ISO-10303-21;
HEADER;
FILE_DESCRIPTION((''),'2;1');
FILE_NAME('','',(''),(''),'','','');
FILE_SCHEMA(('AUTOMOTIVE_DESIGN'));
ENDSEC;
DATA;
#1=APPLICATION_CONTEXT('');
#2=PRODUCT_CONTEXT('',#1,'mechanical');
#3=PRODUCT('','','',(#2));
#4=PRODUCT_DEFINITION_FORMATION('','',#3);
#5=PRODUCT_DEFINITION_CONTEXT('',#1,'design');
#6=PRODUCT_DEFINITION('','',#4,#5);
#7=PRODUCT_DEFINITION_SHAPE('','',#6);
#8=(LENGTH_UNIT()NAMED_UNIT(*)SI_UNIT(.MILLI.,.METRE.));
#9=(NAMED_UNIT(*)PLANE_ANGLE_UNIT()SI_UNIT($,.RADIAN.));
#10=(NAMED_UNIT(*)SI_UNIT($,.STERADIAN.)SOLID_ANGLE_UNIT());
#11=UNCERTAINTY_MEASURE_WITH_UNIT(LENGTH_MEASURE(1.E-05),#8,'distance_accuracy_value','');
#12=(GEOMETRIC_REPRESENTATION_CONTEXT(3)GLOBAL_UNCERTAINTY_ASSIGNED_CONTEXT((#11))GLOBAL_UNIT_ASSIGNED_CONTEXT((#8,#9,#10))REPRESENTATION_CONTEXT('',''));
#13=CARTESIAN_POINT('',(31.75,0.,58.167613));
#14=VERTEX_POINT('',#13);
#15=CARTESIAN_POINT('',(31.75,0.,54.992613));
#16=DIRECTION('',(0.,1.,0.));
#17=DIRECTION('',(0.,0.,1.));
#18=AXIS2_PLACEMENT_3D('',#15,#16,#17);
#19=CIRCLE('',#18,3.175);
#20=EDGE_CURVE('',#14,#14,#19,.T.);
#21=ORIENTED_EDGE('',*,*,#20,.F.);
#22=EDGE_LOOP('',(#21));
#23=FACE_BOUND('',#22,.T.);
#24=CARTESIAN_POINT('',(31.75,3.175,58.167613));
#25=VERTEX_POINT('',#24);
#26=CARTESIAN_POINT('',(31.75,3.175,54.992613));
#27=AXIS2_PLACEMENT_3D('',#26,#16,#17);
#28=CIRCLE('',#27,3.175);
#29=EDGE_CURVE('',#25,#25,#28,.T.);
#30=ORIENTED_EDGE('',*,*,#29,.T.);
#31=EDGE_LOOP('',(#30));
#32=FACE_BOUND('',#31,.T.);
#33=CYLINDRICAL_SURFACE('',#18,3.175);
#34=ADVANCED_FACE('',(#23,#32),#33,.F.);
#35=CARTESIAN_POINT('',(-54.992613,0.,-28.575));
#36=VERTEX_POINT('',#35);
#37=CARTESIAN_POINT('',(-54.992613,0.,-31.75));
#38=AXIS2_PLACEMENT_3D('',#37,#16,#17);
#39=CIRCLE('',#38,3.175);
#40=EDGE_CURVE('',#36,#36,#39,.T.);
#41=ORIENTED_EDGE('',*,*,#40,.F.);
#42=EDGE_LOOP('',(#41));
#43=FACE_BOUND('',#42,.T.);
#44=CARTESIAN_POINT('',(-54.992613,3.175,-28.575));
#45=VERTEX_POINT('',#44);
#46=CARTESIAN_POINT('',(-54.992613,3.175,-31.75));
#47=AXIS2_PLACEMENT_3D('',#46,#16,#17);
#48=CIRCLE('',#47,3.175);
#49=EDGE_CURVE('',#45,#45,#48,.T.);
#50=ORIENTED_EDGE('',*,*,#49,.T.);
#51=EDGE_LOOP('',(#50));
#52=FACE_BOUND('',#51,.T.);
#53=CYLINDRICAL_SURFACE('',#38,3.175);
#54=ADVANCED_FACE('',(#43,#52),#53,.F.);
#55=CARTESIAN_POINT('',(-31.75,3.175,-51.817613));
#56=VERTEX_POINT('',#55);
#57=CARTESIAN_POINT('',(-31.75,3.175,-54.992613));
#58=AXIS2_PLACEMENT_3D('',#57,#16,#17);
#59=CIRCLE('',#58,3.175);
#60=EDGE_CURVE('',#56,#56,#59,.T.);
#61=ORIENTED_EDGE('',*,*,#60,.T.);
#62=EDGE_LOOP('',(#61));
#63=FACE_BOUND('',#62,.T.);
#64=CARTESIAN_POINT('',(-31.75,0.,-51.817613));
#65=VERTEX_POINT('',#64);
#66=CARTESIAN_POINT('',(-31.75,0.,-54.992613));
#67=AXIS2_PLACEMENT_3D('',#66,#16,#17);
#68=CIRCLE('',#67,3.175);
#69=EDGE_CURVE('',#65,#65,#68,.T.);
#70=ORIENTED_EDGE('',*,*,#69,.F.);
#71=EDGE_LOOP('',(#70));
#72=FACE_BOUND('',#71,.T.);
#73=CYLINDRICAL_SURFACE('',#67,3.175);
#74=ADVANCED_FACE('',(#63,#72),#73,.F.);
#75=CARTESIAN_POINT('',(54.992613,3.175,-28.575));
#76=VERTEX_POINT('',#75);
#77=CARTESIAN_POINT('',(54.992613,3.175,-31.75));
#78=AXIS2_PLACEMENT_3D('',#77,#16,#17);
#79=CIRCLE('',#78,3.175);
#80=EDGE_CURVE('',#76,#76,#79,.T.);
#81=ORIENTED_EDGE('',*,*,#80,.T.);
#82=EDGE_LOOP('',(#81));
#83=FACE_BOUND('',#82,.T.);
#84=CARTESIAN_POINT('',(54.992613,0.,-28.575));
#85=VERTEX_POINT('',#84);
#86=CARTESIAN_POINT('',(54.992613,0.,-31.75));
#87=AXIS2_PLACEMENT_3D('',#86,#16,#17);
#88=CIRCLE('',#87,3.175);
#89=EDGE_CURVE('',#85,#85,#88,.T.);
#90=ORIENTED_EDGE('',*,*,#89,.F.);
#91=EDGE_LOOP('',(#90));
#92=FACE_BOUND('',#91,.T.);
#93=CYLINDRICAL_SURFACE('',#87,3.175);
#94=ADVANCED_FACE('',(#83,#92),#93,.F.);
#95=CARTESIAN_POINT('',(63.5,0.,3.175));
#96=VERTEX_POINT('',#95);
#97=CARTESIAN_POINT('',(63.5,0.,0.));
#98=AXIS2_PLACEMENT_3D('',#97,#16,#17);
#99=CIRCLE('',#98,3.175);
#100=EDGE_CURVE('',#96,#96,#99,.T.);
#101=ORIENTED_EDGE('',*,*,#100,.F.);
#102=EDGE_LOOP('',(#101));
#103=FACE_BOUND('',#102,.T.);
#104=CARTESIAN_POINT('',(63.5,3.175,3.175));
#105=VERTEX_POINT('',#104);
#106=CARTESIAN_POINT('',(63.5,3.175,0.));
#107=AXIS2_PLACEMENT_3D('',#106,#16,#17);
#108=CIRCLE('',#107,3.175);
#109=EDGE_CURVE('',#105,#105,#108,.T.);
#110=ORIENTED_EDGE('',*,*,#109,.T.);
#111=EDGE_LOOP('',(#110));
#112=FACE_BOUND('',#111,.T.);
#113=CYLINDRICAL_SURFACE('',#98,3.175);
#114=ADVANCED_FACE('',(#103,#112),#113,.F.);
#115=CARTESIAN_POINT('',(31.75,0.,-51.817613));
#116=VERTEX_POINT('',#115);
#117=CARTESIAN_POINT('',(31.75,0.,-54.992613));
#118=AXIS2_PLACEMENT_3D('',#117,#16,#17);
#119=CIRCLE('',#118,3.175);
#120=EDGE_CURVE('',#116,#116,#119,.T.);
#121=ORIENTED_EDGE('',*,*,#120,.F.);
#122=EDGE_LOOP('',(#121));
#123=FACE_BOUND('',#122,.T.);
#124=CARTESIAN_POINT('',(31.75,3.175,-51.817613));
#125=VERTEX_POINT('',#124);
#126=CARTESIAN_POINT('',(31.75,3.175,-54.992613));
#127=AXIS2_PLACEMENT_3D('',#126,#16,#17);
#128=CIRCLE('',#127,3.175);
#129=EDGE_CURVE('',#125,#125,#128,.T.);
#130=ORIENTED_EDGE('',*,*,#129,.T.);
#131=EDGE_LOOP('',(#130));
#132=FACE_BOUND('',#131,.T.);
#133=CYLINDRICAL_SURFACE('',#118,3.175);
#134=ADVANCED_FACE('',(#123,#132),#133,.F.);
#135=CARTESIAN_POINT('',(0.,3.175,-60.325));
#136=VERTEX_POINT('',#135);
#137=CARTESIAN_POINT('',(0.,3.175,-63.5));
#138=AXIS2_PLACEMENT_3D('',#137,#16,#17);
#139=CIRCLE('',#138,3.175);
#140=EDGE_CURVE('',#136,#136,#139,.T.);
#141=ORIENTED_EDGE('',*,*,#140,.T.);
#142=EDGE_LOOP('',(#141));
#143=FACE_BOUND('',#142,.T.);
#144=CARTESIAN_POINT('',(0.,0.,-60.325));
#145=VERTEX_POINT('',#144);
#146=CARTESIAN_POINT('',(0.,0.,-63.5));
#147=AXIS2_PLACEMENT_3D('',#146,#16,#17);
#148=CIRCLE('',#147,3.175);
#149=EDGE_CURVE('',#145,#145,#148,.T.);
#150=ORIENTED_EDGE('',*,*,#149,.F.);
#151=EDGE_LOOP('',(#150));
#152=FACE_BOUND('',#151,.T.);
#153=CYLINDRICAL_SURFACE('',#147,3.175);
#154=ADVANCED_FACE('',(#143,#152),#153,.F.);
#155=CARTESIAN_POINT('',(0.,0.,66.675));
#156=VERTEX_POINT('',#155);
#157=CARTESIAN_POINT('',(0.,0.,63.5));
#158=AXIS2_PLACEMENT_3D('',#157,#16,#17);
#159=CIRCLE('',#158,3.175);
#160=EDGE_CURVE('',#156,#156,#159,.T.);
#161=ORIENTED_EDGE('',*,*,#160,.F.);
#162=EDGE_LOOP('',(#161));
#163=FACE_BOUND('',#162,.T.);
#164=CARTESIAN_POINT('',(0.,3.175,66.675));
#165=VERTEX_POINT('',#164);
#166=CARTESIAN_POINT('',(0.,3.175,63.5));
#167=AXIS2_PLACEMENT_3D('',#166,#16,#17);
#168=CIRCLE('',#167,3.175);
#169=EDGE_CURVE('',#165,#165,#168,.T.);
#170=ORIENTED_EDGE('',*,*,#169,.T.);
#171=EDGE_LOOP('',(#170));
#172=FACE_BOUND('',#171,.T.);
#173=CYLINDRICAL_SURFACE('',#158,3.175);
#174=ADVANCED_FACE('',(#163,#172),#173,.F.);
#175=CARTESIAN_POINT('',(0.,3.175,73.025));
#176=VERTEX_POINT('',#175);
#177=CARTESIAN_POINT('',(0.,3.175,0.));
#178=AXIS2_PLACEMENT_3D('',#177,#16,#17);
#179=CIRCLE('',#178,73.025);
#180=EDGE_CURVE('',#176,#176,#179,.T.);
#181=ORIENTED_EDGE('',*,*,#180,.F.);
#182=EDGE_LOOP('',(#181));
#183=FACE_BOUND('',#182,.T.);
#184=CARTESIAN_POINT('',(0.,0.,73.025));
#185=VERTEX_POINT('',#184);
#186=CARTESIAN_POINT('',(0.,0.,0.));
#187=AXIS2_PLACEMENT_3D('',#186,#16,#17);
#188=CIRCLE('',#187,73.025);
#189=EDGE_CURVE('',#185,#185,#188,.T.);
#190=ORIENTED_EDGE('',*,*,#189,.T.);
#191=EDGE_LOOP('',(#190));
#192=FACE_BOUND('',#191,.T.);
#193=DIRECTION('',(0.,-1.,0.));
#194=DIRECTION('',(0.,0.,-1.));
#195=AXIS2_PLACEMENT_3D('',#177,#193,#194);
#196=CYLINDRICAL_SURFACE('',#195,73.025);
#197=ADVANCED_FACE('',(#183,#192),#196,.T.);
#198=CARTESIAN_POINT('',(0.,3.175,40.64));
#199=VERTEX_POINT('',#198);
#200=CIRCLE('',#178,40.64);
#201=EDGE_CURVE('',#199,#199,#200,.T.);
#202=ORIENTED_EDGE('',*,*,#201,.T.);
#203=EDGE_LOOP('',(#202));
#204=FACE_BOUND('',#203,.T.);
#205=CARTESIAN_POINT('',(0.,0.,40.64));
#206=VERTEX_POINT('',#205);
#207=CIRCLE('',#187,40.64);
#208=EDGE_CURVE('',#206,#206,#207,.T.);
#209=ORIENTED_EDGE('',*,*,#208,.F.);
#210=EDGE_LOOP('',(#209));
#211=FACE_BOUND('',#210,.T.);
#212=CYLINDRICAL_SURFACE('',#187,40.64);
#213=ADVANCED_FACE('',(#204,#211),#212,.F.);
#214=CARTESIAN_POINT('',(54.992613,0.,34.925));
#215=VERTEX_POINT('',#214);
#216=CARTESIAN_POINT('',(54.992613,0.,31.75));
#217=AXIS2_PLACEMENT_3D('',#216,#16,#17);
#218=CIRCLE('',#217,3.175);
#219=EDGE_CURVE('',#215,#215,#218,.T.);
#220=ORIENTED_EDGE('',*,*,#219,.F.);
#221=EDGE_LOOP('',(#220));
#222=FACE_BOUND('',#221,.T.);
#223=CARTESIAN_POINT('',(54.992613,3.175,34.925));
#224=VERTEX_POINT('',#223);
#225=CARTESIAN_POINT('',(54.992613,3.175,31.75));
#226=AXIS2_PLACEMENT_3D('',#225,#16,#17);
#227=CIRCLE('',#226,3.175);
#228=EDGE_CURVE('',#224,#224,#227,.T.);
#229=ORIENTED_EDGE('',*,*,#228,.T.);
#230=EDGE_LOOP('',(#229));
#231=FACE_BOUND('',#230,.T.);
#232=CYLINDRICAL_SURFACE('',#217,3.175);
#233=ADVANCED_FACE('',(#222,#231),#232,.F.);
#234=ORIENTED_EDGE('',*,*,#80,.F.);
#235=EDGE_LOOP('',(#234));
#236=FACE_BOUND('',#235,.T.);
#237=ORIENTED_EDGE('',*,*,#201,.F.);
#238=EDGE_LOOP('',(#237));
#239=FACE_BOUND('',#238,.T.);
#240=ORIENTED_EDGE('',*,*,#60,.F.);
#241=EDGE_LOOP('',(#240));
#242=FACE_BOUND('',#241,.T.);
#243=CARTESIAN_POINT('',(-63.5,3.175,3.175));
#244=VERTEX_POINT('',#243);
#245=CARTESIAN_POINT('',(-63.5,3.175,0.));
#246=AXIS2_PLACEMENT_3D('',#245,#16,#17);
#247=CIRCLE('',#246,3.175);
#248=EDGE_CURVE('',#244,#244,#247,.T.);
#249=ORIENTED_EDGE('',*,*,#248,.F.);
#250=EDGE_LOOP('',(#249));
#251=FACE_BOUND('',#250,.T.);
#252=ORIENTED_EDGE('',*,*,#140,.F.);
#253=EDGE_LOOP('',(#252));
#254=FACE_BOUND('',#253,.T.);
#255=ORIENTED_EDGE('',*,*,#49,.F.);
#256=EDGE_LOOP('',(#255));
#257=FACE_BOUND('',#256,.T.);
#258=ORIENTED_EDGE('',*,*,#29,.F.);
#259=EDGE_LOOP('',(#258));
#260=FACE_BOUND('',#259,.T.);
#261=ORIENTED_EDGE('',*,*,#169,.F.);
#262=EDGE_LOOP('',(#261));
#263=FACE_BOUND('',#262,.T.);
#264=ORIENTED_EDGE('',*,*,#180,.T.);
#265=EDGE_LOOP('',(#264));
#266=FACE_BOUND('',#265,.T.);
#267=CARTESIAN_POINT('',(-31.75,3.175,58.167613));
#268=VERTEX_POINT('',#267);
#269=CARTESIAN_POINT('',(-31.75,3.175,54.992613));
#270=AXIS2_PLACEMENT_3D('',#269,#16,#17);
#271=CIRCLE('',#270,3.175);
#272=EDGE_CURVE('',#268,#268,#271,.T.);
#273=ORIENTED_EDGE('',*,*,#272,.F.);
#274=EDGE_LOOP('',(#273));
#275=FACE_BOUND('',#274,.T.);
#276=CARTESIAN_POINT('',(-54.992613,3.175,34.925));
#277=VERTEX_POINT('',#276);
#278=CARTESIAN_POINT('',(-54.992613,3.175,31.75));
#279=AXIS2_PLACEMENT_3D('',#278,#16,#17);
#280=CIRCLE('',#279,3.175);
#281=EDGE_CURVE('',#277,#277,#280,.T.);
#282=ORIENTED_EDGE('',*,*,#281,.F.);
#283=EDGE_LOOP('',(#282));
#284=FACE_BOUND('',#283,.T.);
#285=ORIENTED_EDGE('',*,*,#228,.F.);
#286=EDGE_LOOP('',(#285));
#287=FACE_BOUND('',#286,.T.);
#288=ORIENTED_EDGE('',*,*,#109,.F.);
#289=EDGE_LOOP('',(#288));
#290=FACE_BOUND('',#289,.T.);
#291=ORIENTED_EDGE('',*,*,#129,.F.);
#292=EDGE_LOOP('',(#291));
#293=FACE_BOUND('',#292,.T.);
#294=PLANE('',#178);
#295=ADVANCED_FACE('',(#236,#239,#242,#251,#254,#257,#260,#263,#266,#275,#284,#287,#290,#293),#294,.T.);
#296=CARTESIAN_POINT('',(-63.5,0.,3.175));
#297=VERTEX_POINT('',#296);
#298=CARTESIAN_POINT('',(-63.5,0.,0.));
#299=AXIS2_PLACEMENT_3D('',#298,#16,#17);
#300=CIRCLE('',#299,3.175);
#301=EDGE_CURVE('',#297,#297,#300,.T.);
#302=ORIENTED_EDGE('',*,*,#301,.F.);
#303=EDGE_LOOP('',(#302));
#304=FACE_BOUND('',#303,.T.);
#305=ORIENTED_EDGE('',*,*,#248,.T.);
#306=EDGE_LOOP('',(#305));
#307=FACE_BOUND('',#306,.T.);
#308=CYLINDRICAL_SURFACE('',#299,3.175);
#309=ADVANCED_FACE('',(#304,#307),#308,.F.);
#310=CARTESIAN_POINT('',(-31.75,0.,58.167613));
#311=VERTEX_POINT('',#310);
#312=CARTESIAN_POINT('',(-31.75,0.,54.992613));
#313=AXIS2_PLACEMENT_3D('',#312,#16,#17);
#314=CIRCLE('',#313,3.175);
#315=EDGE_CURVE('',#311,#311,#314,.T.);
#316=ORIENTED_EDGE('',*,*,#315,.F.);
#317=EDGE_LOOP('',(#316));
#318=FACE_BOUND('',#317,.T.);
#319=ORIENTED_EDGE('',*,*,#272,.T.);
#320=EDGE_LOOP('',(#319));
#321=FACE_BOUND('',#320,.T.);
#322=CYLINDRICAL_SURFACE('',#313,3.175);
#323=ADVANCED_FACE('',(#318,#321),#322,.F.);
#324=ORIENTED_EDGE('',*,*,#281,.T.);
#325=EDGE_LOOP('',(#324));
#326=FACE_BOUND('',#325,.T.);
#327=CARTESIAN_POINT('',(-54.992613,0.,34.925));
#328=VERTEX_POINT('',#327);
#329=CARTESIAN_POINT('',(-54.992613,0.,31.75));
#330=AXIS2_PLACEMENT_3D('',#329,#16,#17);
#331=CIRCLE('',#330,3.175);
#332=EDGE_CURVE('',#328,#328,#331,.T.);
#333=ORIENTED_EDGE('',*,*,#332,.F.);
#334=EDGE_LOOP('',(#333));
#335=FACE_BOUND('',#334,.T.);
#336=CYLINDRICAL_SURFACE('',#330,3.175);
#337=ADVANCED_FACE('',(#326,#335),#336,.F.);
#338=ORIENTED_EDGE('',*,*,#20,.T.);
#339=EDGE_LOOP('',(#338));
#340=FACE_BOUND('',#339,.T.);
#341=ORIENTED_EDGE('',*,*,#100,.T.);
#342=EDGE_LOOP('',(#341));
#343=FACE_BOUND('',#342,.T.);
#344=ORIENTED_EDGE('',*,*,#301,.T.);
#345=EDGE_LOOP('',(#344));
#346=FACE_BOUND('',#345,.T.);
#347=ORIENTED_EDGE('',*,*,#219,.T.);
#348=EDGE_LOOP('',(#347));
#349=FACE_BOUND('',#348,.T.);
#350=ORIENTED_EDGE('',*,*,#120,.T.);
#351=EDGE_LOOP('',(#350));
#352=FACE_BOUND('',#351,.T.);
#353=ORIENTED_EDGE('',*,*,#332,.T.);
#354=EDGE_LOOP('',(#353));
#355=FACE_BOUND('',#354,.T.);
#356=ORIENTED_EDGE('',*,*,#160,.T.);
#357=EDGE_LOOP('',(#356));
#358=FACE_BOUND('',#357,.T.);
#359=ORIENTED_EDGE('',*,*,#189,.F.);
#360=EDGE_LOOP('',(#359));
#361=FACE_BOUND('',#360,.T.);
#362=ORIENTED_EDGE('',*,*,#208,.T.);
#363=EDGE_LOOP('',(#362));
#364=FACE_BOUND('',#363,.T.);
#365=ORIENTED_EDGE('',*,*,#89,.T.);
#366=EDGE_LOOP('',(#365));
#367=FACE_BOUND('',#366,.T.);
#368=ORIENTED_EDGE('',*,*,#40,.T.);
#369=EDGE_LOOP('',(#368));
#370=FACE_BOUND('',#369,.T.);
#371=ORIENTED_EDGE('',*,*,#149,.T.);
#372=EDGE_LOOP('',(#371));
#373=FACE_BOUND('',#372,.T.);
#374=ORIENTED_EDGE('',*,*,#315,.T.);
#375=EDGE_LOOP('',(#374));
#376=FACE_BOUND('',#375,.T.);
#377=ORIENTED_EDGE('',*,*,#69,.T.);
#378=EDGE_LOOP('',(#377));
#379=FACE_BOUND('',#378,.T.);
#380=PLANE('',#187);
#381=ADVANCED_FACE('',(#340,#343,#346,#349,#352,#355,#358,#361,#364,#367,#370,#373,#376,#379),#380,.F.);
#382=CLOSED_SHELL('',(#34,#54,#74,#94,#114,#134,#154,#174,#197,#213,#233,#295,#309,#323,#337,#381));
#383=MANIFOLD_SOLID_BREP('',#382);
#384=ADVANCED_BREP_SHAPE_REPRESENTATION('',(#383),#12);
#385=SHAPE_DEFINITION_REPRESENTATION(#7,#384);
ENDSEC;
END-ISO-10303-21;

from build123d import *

# Parameters (mm, degrees)
SKETCH1_R           = 73.025
BOSS_EXTRUDE1_DEPTH = 3.175
SKETCH2_R           = 3.175
CUT_EXTRUDE1_DEPTH  = 4.175
SKETCH3_R           = 40.64
CUT_EXTRUDE2_DEPTH  = 4.175


with BuildPart() as part:
    # Sketch1 → Boss-Extrude1 (new body)
    with BuildSketch(Plane(origin=(0, 0, 0), x_dir=(1, 0, 0), z_dir=(0, 1, 0))):
        Circle(SKETCH1_R)
    extrude(amount=BOSS_EXTRUDE1_DEPTH)

    # Sketch2 → Cut-Extrude1 (cut, through all)
    with BuildSketch(Plane(origin=(0, 3.175, 0), x_dir=(1, 0, 0), z_dir=(0, 1, 0))):
        with Locations((63.5, 0)):
            Circle(SKETCH2_R)
        with Locations((54.99261314, -31.75)):
            Circle(SKETCH2_R)
        with Locations((31.75, -54.99261314)):
            Circle(SKETCH2_R)
        with Locations((0, -63.5)):
            Circle(SKETCH2_R)
        with Locations((-31.75, -54.99261314)):
            Circle(SKETCH2_R)
        with Locations((-54.99261314, -31.75)):
            Circle(SKETCH2_R)
        with Locations((-63.5, 0)):
            Circle(SKETCH2_R)
        with Locations((-54.99261314, 31.75)):
            Circle(SKETCH2_R)
        with Locations((-31.75, 54.99261314)):
            Circle(SKETCH2_R)
        with Locations((0, 63.5)):
            Circle(SKETCH2_R)
        with Locations((31.75, 54.99261314)):
            Circle(SKETCH2_R)
        with Locations((54.99261314, 31.75)):
            Circle(SKETCH2_R)
    extrude(amount=-CUT_EXTRUDE1_DEPTH, mode=Mode.SUBTRACT)

    # Sketch3 → Cut-Extrude2 (cut, through all)
    with BuildSketch(Plane(origin=(0, 3.175, 0), x_dir=(1, 0, 0), z_dir=(0, 1, 0))):
        Circle(SKETCH3_R)
    extrude(amount=-CUT_EXTRUDE2_DEPTH, mode=Mode.SUBTRACT)


solid = part.part
